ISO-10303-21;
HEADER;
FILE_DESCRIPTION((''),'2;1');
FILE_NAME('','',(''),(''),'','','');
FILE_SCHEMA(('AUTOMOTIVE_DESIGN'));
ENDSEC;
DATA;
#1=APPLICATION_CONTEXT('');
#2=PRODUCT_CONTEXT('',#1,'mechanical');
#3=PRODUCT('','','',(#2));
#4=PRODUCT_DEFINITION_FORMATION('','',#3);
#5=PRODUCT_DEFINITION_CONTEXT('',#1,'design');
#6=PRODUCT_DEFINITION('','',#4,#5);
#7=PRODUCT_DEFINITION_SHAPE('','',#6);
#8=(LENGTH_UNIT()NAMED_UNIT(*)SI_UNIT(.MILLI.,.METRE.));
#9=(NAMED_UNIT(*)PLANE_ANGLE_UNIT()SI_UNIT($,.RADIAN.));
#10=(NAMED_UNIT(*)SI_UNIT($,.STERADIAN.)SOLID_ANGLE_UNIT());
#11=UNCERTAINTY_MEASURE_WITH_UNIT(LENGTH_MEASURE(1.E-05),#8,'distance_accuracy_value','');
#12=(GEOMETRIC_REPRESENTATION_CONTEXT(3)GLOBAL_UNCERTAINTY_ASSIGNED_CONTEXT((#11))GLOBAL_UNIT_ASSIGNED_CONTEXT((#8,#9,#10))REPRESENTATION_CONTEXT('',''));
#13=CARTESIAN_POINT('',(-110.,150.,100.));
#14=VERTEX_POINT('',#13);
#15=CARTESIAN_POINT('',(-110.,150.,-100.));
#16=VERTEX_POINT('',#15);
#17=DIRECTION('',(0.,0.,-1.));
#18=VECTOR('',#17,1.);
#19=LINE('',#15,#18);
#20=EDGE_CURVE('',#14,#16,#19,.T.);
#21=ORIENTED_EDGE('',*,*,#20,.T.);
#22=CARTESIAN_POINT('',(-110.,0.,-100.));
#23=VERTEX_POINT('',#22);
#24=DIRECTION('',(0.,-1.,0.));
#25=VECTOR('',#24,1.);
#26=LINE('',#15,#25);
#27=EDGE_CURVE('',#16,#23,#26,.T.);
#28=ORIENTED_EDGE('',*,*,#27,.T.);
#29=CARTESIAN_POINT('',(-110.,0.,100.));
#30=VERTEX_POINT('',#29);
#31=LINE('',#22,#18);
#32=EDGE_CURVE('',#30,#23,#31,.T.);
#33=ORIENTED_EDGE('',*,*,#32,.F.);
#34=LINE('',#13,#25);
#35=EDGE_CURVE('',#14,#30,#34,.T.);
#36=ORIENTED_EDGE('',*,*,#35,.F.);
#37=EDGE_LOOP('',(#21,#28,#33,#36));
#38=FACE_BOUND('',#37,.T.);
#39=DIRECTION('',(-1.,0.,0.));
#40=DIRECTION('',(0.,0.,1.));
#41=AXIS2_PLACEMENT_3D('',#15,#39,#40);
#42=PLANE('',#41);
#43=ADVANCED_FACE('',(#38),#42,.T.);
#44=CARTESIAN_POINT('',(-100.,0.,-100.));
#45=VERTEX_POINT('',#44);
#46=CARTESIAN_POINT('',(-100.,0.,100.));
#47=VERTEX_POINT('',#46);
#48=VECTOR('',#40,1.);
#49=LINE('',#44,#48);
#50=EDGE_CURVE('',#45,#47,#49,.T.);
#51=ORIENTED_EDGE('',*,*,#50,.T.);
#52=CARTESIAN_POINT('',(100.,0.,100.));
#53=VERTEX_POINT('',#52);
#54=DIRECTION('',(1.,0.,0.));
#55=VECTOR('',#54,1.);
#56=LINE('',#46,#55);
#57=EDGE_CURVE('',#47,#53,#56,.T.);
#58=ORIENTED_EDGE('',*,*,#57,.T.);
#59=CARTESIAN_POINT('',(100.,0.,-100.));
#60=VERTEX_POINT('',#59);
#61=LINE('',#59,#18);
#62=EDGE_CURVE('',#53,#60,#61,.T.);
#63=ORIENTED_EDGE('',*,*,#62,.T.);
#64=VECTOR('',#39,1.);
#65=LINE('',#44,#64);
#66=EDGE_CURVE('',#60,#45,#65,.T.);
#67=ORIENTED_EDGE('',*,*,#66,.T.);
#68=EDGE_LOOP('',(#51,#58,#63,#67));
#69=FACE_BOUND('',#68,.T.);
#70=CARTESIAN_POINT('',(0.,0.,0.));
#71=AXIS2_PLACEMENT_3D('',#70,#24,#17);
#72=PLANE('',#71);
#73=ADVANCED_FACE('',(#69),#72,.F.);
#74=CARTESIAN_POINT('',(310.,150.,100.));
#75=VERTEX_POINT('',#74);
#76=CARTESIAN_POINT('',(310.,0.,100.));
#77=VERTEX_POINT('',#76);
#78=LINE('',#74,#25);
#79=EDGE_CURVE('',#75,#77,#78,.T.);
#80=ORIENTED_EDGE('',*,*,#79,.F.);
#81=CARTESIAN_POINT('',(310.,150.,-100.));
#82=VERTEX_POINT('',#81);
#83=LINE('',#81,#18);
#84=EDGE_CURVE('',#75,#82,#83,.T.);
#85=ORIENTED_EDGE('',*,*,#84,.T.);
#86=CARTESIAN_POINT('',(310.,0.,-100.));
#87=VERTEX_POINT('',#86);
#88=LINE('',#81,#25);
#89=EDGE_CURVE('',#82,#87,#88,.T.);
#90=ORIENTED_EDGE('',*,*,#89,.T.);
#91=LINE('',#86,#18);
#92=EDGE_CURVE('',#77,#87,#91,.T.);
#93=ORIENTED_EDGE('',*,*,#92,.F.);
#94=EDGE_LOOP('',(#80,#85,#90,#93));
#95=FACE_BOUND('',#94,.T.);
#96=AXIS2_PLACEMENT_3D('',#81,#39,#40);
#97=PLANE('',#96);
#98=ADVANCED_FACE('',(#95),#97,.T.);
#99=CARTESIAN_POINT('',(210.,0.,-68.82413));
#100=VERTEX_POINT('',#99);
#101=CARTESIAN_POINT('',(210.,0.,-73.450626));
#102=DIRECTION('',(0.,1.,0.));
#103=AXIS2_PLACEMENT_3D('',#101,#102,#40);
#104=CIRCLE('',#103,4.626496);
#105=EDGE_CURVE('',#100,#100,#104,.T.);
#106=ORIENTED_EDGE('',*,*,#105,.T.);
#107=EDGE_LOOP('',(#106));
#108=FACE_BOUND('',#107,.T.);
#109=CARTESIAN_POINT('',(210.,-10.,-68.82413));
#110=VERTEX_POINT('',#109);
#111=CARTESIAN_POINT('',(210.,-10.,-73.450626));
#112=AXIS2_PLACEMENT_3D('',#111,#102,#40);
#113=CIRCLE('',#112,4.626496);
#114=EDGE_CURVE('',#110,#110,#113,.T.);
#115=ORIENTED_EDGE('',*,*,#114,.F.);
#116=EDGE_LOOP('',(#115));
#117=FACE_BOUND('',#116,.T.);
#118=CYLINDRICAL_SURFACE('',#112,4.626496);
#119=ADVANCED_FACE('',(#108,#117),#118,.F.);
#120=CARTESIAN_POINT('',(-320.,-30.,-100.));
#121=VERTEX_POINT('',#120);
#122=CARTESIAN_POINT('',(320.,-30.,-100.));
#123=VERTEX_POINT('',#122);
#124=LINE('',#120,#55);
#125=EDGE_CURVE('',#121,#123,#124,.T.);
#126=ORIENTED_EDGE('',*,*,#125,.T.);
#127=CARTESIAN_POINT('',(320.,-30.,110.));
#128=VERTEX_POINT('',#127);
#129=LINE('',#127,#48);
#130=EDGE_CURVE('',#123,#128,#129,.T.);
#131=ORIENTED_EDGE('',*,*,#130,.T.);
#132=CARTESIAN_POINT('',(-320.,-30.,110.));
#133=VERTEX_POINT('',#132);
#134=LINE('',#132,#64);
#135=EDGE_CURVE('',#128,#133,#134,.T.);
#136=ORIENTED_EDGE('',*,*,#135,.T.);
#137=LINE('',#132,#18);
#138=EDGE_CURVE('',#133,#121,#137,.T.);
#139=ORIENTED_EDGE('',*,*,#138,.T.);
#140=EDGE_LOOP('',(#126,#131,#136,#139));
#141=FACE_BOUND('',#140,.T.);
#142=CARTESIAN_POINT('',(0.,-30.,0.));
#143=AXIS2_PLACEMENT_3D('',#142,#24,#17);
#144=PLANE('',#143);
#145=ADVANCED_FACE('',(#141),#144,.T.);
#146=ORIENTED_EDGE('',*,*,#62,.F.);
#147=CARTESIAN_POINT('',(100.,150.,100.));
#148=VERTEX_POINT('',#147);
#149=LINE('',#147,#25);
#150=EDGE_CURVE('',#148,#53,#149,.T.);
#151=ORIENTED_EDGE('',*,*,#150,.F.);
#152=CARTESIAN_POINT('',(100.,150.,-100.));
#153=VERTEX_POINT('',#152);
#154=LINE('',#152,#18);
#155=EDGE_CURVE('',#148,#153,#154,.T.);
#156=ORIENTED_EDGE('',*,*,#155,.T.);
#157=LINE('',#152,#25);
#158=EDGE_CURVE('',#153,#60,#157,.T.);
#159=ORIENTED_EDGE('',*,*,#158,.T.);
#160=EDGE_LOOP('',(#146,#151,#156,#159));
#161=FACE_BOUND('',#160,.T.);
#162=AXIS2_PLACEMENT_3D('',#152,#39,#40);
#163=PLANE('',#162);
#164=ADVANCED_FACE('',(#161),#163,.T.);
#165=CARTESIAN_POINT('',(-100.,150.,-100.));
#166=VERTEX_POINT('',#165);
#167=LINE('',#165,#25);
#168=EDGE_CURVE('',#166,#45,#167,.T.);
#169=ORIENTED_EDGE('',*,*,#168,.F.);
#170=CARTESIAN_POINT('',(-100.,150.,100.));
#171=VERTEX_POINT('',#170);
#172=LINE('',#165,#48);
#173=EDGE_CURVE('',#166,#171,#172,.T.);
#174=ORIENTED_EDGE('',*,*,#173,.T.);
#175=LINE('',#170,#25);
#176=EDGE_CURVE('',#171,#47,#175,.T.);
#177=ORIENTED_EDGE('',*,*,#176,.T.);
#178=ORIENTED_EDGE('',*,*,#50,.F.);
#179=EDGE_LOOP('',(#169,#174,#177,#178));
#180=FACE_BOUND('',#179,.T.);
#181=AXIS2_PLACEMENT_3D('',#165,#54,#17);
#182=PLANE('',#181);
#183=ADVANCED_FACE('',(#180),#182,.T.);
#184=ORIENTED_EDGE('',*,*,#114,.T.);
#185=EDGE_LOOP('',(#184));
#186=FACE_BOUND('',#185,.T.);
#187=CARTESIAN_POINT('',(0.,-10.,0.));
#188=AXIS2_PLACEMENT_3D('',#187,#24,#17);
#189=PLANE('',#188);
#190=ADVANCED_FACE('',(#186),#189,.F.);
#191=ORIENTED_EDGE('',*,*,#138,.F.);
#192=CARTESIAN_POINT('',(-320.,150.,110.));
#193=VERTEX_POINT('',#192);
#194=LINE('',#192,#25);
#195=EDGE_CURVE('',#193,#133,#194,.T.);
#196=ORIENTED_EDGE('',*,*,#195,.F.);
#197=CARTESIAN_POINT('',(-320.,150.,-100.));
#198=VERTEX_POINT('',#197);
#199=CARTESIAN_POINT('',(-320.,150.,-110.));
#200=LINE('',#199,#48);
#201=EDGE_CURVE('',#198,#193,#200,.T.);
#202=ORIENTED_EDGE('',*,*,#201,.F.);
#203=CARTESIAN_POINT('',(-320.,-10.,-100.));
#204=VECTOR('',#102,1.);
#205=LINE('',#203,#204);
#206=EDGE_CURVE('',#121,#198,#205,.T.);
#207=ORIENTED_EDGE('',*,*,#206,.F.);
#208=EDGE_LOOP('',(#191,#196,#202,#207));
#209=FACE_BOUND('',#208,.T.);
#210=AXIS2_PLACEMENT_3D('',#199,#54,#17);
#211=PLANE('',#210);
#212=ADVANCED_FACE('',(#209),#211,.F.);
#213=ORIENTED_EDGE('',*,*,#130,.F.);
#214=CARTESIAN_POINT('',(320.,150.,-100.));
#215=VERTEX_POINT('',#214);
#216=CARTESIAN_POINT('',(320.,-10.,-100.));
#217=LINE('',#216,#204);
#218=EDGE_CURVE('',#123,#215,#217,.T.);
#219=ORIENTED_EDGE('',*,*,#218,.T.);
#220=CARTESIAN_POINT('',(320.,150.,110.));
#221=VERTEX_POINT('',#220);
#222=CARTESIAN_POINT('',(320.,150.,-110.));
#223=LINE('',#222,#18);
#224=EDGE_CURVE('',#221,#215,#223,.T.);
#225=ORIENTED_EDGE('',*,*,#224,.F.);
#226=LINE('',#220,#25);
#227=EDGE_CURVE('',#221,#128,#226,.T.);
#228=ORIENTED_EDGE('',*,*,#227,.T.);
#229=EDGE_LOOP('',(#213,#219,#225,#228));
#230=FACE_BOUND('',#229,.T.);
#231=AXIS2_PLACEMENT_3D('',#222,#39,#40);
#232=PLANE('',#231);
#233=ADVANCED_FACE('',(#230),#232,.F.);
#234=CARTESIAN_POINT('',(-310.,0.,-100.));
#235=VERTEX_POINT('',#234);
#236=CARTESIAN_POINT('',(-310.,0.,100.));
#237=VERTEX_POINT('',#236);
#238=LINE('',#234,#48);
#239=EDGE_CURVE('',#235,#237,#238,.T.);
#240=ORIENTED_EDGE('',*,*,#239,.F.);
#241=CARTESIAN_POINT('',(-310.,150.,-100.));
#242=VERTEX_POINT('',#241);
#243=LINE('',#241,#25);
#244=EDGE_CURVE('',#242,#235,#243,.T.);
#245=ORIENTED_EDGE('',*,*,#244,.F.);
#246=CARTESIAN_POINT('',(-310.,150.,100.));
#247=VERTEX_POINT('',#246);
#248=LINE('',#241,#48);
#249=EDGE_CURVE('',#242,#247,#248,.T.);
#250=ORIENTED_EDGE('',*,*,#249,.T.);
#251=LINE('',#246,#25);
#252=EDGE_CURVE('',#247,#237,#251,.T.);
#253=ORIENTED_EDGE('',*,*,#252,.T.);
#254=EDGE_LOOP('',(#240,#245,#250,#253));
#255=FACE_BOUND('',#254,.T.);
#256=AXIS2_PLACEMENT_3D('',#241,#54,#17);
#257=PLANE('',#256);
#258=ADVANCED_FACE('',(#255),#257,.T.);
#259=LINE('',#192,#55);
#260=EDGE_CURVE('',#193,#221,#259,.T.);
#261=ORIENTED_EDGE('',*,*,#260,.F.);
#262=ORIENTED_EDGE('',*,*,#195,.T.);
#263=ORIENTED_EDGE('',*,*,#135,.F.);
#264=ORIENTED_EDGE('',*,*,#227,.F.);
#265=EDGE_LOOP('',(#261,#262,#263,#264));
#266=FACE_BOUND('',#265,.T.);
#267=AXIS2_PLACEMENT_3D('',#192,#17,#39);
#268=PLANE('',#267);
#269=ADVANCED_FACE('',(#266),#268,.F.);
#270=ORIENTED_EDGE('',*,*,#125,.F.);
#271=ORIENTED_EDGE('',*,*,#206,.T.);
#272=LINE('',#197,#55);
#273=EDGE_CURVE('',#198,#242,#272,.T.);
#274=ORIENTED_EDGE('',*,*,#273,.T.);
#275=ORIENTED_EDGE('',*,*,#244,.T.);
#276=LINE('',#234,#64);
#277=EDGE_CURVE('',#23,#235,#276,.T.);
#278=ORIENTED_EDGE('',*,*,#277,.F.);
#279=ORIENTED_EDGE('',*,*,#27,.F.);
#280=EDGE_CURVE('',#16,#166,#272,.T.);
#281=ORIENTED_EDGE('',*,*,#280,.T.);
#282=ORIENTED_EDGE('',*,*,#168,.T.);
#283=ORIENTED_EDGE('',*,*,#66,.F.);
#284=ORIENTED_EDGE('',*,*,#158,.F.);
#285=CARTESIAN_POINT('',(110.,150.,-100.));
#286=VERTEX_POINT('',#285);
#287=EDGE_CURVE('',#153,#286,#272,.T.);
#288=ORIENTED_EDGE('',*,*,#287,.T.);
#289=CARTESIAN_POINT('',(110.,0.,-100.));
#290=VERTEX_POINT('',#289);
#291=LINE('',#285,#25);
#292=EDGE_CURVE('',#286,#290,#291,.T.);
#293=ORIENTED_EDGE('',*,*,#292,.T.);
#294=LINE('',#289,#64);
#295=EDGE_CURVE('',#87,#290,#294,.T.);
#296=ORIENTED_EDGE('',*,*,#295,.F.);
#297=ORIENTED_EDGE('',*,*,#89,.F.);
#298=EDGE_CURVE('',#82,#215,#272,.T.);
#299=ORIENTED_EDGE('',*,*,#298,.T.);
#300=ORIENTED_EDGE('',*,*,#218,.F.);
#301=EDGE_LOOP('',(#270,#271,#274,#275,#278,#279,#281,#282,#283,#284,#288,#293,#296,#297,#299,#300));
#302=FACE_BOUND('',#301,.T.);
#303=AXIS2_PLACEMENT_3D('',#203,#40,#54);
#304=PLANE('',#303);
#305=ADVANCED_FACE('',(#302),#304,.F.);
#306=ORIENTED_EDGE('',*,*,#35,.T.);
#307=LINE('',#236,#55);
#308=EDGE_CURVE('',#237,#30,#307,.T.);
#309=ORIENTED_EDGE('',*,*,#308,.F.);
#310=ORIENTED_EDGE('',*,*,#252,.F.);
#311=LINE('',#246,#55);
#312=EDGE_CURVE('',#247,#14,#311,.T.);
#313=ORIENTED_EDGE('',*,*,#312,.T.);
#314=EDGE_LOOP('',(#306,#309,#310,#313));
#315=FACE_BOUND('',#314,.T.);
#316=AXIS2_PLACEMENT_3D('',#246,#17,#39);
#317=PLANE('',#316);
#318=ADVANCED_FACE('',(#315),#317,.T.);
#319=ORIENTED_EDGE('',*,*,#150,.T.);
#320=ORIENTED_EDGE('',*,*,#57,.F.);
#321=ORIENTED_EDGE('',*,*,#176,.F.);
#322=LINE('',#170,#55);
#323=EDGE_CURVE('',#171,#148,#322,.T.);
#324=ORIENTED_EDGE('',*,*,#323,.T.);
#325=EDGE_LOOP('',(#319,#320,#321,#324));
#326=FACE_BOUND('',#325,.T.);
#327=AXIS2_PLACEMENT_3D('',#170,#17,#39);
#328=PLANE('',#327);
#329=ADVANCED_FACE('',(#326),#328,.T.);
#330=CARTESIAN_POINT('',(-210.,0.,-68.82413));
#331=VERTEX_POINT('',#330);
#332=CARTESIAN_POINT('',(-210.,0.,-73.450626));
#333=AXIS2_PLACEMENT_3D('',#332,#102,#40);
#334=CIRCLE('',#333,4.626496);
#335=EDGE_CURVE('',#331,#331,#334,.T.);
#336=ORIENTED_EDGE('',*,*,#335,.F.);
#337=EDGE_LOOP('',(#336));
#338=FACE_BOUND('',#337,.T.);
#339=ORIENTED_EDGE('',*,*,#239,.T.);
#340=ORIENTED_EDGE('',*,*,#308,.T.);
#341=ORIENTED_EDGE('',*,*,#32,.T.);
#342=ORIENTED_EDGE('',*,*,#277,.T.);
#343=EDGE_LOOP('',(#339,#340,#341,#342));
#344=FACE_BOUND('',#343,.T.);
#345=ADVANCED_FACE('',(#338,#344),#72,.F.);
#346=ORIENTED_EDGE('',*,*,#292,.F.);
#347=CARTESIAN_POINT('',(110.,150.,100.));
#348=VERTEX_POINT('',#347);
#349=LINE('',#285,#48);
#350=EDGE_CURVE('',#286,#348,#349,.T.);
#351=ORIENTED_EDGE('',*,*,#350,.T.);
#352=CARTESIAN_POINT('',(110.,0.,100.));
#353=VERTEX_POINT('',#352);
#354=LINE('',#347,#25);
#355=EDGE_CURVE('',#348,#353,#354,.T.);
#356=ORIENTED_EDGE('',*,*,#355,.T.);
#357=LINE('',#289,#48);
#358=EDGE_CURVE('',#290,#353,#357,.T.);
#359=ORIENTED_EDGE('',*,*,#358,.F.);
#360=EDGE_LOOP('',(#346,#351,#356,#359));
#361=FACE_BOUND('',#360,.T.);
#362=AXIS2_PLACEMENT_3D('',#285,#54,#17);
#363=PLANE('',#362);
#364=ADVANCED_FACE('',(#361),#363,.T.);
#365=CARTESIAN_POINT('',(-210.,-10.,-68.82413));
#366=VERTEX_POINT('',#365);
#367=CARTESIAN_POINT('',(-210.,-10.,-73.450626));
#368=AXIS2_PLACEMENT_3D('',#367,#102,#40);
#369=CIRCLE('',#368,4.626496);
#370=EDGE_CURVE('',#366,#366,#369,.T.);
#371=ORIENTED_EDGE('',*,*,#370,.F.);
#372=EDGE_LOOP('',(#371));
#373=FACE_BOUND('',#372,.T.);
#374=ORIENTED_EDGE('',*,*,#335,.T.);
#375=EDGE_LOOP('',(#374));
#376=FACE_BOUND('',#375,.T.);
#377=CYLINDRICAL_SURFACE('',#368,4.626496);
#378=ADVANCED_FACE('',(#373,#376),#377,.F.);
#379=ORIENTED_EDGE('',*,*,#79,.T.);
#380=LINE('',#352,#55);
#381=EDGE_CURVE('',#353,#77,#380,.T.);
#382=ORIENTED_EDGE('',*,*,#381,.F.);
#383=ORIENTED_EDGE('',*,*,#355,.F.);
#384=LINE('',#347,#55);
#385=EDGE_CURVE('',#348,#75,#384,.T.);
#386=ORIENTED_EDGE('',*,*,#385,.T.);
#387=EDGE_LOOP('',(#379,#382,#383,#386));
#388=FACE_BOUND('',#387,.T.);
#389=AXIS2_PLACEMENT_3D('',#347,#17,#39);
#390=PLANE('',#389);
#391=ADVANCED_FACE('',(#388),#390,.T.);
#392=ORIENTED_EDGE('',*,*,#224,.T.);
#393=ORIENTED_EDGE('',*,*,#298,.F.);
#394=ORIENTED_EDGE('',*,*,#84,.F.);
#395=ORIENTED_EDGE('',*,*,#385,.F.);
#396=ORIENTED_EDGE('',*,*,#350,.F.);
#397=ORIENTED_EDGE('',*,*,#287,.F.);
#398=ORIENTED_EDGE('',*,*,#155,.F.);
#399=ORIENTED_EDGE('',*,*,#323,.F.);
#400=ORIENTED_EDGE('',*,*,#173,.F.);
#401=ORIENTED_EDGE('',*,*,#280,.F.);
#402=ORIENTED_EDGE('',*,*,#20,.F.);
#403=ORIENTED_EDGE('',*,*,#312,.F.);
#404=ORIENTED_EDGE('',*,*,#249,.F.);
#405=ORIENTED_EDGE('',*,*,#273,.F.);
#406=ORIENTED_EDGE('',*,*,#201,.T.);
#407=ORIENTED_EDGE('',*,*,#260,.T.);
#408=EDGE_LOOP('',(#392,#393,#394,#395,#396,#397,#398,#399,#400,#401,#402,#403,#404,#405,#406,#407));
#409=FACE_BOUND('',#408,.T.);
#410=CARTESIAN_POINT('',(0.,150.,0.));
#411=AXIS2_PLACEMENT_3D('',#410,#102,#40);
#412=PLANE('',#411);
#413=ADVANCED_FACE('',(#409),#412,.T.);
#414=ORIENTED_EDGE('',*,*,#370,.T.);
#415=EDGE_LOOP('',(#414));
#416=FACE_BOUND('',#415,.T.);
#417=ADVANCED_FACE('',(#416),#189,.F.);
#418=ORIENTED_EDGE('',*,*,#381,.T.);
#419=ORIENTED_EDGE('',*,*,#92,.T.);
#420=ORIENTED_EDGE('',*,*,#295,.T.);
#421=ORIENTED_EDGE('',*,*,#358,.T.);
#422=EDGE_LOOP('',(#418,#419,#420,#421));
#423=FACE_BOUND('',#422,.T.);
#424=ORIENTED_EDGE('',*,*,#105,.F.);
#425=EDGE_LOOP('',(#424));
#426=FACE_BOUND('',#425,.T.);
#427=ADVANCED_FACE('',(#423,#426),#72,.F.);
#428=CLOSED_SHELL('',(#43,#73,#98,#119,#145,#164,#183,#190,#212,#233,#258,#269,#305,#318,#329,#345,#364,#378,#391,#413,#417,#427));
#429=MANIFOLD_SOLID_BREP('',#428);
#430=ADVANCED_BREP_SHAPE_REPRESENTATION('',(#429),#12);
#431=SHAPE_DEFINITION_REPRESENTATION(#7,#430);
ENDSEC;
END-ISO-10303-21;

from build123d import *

# Parameters (mm, degrees)
CROQUIS1_W              = 640
CROQUIS1_H              = 220
CROQUIS1_W_2            = 200
CROQUIS1_H_2            = 200
SALIENTE_EXTRUIR1_DEPTH = 150
CROQUIS3_W              = 640
CROQUIS3_H              = 220
SALIENTE_EXTRUIR3_DEPTH = 10
CROQUIS4_R              = 4.626495545
CORTAR_EXTRUIR1_DEPTH   = 371.135110466
CROQUIS5_W              = 640
CROQUIS5_H              = 10
CORTAR_EXTRUIR2_DEPTH   = 375.299345444
CROQUIS6_W              = 640
CROQUIS6_H              = 210
SALIENTE_EXTRUIR4_DEPTH = 20


with BuildPart() as part:
    # Croquis1 → Saliente-Extruir1 (new body)
    with BuildSketch(Plane(origin=(0, 0, 0), x_dir=(1, 0, 0), z_dir=(0, 1, 0))):
        Rectangle(CROQUIS1_W, CROQUIS1_H)
        with Locations((-210, 0)):
            Rectangle(CROQUIS1_W_2, CROQUIS1_H_2, mode=Mode.SUBTRACT)
        Rectangle(CROQUIS1_W_2, CROQUIS1_H_2, mode=Mode.SUBTRACT)
        with Locations((210, 0)):
            Rectangle(CROQUIS1_W_2, CROQUIS1_H_2, mode=Mode.SUBTRACT)
    extrude(amount=SALIENTE_EXTRUIR1_DEPTH)

    # Croquis3 → Saliente-Extruir3 (add)
    with BuildSketch(Plane.XZ):
        Rectangle(CROQUIS3_W, CROQUIS3_H)
    extrude(amount=SALIENTE_EXTRUIR3_DEPTH)

    # Croquis4 → Cortar-Extruir1 (cut, through all)
    with BuildSketch(Plane(origin=(0, 0, 0), x_dir=(1, 0, 0), z_dir=(0, 1, 0))):
        with Locations(Location((-210, 73.450625609, 0), (0, 0, 270))):
            Circle(CROQUIS4_R)
        with Locations(Location((210, 73.450625609, 0), (0, 0, 270))):
            Circle(CROQUIS4_R)
    extrude(amount=-CORTAR_EXTRUIR1_DEPTH, mode=Mode.SUBTRACT)

    # Croquis5 → Cortar-Extruir2 (cut, through all)
    with BuildSketch(Plane(origin=(0, 150, 0), x_dir=(1, 0, 0), z_dir=(0, 1, 0))):
        with Locations((0, 105)):
            Rectangle(CROQUIS5_W, CROQUIS5_H)
    extrude(amount=-CORTAR_EXTRUIR2_DEPTH, mode=Mode.SUBTRACT)

    # Croquis6 → Saliente-Extruir4 (add)
    with BuildSketch(Plane.XZ.offset(10)):
        with Locations((0, 5)):
            Rectangle(CROQUIS6_W, CROQUIS6_H)
    extrude(amount=SALIENTE_EXTRUIR4_DEPTH)


solid = part.part
